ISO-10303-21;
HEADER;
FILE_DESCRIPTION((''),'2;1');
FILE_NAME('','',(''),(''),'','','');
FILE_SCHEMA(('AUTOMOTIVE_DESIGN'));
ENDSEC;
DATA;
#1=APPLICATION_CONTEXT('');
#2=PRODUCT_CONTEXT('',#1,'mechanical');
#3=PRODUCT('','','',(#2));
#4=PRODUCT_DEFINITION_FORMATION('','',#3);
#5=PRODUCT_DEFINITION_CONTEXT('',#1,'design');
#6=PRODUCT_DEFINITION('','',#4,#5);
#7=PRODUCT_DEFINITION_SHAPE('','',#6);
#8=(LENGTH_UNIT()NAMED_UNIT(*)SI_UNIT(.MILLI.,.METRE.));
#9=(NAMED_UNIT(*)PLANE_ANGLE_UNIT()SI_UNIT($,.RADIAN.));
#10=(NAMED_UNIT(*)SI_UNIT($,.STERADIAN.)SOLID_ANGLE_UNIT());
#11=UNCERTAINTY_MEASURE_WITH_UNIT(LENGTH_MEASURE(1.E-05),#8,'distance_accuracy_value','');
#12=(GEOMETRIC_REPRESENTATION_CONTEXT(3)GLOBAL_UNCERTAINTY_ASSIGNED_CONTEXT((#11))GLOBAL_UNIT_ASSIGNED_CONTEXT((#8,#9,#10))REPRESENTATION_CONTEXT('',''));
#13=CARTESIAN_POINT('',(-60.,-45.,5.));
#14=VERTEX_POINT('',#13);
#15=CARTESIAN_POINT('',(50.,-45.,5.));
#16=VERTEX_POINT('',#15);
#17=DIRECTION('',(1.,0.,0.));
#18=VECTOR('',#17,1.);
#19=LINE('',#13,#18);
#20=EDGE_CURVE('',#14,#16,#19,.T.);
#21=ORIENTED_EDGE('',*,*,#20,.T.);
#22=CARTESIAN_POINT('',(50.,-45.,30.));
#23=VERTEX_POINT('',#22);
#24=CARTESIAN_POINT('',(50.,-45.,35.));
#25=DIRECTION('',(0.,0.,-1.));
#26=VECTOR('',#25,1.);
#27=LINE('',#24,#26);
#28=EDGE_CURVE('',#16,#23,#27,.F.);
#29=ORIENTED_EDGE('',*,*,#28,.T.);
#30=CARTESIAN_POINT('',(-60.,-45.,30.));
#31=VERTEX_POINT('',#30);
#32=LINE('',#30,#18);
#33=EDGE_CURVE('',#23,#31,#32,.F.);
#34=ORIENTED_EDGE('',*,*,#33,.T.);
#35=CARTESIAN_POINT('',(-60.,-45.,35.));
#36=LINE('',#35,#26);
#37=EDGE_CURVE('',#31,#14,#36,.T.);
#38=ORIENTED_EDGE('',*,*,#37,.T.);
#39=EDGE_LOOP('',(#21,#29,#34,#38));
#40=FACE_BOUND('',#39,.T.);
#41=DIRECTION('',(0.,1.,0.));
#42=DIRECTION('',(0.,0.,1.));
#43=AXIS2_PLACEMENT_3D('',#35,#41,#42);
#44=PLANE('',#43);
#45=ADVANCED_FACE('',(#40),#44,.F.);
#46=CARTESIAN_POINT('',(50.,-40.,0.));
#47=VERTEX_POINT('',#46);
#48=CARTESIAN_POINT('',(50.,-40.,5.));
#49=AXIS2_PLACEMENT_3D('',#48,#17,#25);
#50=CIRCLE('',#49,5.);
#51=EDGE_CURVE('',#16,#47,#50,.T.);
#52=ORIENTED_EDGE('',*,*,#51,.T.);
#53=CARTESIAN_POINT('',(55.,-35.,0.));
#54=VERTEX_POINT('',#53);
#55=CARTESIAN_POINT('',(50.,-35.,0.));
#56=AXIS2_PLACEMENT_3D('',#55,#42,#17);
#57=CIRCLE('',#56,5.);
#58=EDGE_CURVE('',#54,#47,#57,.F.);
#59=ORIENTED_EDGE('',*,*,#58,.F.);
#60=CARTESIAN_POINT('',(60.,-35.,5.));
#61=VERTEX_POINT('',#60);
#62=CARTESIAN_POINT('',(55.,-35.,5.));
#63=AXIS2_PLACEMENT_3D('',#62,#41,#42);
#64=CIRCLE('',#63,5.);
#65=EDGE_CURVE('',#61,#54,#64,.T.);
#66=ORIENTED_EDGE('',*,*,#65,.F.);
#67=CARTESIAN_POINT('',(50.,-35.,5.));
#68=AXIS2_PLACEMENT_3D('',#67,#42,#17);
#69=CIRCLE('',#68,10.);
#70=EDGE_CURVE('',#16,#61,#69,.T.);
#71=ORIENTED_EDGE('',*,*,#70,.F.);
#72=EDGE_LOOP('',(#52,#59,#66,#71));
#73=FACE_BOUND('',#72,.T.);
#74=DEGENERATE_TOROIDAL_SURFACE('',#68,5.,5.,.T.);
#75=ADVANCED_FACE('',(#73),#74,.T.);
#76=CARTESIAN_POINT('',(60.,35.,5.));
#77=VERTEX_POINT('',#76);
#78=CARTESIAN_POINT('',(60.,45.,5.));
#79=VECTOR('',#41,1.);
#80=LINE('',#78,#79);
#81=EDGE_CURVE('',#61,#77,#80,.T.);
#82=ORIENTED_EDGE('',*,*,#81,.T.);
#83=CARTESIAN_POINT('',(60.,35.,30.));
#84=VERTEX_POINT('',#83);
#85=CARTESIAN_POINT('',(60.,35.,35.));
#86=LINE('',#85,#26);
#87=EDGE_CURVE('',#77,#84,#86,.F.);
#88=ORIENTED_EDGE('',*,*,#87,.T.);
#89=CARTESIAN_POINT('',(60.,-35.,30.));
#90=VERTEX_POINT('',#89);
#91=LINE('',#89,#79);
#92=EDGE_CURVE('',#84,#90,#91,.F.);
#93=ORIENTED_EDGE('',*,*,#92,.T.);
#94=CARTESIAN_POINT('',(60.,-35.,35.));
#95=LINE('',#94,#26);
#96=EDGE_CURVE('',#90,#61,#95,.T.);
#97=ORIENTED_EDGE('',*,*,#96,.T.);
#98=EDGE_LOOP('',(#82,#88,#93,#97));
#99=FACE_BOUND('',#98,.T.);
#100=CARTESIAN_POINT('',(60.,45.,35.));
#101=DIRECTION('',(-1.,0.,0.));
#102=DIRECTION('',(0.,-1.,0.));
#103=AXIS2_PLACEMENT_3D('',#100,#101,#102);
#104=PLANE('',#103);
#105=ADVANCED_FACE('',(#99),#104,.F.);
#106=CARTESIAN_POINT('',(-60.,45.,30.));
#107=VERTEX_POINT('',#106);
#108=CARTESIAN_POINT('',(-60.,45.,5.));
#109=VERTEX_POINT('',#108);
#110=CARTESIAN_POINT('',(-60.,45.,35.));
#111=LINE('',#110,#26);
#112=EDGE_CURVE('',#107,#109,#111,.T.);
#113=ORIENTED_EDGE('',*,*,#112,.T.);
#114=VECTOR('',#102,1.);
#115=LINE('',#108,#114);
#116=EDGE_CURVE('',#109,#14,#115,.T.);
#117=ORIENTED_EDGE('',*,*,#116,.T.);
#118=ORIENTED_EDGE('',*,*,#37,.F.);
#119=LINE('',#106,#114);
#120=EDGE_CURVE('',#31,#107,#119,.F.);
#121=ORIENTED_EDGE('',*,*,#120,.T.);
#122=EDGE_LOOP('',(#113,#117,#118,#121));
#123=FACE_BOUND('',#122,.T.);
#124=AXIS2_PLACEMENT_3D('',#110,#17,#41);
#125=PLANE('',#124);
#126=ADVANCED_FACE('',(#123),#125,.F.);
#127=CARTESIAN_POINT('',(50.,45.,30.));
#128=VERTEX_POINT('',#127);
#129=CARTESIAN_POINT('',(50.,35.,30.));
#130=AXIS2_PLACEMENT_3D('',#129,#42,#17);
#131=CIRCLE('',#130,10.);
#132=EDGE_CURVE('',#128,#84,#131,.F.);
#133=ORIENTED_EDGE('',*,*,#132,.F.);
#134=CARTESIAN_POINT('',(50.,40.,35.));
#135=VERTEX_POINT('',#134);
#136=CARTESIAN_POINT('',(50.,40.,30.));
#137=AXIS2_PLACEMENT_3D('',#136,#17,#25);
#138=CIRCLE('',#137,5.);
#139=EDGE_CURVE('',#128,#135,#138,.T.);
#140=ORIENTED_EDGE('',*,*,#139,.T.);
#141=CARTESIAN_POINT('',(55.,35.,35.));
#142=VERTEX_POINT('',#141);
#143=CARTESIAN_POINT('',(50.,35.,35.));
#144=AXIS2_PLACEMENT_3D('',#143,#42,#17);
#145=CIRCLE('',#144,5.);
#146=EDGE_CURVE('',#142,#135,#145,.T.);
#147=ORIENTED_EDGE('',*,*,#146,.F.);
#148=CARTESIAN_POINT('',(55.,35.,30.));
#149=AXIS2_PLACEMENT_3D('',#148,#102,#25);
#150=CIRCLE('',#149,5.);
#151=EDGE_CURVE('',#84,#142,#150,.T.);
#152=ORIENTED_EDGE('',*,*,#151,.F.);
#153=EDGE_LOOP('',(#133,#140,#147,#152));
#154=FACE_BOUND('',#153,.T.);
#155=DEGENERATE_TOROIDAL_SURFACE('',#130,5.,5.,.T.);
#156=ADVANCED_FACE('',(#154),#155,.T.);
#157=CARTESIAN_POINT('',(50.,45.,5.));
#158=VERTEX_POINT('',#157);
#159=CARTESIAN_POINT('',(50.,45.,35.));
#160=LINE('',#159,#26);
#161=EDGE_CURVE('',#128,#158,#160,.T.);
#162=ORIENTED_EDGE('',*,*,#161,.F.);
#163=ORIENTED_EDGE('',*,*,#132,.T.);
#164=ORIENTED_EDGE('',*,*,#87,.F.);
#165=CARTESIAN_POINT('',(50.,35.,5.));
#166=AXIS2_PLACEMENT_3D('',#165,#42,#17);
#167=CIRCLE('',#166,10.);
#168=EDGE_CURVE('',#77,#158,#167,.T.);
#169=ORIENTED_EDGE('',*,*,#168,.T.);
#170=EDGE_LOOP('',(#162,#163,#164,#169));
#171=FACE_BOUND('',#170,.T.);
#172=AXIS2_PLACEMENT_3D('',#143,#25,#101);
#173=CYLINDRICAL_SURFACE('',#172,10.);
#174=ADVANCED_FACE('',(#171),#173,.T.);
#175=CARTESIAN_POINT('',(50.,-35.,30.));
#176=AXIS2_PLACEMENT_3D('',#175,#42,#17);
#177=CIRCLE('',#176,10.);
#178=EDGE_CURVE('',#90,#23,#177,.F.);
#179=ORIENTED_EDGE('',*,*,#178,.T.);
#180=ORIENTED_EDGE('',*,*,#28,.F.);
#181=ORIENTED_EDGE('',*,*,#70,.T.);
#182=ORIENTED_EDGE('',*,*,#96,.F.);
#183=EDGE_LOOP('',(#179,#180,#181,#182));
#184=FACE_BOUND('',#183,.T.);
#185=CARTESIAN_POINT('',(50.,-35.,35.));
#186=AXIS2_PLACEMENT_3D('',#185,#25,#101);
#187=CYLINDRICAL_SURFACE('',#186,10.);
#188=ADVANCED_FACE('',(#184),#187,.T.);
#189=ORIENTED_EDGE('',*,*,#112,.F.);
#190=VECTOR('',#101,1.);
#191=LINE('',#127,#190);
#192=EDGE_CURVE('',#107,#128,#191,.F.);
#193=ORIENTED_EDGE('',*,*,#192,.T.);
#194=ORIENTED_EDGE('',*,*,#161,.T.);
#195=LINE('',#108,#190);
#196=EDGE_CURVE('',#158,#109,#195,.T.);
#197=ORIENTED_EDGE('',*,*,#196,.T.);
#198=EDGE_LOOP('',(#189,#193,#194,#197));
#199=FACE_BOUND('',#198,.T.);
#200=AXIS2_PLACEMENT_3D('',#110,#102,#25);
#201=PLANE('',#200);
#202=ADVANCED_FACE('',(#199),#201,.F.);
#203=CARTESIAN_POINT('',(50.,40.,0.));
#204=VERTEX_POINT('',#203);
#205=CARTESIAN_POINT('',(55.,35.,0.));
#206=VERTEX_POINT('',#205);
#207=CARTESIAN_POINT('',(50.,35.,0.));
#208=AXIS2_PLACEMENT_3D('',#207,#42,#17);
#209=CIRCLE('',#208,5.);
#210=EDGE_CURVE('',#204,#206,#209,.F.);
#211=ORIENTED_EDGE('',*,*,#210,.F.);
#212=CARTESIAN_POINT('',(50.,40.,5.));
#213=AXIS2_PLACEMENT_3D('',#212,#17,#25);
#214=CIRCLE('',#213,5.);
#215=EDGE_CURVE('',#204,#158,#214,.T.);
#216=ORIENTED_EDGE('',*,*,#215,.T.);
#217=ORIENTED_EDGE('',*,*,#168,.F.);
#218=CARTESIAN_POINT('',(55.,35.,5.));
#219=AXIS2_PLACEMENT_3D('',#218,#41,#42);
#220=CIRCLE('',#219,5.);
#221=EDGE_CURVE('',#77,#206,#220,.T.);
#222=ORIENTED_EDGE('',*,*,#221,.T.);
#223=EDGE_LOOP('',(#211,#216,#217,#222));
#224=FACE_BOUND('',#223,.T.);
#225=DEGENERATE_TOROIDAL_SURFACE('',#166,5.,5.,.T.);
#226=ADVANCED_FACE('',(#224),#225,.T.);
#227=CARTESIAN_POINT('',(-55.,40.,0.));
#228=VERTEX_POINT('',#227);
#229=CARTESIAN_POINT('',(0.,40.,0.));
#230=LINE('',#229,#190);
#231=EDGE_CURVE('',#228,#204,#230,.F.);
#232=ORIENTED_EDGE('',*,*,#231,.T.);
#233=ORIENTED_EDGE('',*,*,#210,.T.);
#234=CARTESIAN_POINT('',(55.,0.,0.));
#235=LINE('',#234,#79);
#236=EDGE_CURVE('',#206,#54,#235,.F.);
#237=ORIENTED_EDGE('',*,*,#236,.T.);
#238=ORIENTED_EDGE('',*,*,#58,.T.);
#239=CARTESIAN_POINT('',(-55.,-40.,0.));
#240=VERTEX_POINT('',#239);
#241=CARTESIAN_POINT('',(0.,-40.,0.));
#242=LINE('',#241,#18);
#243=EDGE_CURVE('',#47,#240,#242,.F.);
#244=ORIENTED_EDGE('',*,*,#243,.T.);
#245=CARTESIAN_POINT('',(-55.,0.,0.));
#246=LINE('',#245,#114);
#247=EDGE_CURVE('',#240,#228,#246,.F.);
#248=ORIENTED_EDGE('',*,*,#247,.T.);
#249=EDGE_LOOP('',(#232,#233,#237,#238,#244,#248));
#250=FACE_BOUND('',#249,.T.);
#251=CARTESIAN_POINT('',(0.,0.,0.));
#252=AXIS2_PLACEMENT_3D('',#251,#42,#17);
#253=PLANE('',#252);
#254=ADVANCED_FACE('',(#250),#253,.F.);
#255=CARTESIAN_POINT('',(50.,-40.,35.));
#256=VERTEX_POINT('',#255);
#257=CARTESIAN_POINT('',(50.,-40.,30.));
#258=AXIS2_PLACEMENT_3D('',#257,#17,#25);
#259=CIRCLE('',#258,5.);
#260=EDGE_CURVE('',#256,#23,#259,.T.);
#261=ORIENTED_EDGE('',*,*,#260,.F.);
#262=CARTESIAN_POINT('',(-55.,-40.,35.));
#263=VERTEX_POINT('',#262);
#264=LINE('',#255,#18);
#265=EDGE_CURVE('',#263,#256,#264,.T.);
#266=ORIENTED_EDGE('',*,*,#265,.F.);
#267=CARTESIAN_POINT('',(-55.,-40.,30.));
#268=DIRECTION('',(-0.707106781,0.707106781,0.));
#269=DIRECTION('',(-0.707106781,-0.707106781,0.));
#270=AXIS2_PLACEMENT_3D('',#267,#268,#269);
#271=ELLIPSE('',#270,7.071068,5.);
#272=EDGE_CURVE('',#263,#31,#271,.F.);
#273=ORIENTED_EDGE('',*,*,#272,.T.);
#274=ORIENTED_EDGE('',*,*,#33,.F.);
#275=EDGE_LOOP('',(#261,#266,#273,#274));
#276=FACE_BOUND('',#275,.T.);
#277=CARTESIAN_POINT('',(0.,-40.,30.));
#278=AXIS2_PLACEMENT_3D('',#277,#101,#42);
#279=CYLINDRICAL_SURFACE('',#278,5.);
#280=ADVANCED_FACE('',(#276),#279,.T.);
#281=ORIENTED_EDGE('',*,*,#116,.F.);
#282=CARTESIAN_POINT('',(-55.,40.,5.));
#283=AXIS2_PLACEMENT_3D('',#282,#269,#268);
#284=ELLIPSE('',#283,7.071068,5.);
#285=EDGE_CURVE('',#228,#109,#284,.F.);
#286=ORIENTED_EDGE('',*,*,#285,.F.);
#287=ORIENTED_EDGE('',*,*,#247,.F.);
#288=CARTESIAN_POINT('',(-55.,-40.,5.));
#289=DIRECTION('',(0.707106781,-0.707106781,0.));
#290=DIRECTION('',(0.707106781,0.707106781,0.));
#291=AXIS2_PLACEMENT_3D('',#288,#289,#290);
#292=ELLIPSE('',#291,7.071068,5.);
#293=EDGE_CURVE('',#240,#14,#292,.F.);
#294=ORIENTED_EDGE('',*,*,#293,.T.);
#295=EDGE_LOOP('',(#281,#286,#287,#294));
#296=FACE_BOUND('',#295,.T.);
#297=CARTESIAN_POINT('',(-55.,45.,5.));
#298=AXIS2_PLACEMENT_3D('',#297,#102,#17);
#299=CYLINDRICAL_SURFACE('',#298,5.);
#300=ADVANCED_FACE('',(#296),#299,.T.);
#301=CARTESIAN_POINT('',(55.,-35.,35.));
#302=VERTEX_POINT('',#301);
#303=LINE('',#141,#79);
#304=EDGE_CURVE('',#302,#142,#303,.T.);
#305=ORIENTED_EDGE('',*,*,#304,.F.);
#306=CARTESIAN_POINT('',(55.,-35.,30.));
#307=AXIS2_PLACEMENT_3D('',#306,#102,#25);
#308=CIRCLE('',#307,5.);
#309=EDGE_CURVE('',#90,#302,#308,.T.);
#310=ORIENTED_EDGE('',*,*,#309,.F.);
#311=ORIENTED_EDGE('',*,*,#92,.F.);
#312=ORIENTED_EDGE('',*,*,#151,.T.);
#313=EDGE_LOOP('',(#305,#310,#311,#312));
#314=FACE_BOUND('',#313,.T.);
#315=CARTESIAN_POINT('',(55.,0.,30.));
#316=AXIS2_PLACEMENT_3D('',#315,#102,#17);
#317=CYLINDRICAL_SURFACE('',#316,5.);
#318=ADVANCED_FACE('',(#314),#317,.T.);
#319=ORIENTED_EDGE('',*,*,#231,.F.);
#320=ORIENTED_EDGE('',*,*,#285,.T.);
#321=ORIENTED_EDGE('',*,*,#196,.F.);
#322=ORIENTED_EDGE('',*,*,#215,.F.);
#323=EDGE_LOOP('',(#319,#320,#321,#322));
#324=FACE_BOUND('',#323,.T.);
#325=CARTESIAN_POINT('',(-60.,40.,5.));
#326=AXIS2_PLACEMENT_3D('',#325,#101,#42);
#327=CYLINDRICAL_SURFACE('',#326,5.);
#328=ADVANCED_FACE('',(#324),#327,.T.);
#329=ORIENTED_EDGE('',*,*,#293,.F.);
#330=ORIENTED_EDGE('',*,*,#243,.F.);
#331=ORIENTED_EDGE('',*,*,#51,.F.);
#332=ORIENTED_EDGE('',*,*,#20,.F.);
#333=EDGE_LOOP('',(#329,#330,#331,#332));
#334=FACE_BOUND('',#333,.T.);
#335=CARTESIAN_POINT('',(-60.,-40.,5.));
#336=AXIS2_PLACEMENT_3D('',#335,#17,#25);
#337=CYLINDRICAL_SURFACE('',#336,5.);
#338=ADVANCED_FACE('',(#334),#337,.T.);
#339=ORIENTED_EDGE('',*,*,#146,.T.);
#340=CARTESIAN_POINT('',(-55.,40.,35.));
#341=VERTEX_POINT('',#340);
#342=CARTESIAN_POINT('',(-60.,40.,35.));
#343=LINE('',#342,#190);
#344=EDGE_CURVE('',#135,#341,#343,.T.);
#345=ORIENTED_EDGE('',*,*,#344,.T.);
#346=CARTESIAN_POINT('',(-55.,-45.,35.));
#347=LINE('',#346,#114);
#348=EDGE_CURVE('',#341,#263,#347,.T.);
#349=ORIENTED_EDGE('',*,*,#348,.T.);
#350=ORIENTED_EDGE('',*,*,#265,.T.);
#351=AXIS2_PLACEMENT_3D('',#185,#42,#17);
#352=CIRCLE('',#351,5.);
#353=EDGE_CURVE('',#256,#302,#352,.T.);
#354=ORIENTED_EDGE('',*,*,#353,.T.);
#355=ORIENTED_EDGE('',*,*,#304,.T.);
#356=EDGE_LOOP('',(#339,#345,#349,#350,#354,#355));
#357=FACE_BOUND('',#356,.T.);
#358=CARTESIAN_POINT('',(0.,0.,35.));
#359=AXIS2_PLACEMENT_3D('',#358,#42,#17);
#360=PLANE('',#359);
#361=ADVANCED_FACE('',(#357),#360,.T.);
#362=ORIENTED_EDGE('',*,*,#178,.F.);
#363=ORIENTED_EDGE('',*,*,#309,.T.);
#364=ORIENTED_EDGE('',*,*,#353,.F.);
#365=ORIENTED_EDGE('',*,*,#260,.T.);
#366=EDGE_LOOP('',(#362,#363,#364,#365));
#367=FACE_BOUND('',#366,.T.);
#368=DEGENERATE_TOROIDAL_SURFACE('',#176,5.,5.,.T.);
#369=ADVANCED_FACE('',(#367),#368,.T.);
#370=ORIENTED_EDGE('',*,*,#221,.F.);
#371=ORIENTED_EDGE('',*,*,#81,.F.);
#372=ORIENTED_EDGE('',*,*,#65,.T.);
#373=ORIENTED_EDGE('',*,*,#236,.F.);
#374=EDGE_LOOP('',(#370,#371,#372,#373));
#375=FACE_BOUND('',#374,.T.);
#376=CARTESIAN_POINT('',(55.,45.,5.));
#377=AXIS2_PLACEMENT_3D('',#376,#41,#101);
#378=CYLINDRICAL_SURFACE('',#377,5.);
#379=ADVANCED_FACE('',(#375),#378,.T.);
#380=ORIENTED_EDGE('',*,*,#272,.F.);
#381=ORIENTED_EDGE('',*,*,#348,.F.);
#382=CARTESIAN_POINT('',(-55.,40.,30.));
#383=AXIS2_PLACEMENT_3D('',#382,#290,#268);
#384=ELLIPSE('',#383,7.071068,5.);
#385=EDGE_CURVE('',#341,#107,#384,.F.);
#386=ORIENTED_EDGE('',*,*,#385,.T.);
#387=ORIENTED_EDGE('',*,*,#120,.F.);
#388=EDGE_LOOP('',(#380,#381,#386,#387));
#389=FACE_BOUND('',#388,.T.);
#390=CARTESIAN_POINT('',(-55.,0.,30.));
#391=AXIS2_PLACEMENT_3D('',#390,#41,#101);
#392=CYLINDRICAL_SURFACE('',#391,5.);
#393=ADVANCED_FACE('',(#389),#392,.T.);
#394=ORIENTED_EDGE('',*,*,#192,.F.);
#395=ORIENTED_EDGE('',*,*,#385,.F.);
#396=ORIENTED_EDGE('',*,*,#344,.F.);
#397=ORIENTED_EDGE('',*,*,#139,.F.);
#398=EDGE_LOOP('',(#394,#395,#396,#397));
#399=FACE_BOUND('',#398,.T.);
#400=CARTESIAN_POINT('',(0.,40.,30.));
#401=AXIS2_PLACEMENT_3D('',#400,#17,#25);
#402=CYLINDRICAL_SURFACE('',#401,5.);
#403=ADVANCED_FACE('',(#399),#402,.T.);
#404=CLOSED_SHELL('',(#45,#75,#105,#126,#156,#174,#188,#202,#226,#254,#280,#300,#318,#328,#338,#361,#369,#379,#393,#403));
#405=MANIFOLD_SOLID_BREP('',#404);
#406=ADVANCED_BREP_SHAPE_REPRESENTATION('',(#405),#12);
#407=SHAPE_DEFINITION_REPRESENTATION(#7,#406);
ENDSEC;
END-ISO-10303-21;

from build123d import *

# Parameters (mm, degrees)
SKETCH1_W           = 120
SKETCH1_H           = 90
BOSS_EXTRUDE1_DEPTH = 35
FILLET1_R           = 10
FILLET2_R           = 5


with BuildPart() as part:
    # Sketch1 → Boss-Extrude1 (new body)
    with BuildSketch(Plane.XY):
        Rectangle(SKETCH1_W, SKETCH1_H)
    extrude(amount=BOSS_EXTRUDE1_DEPTH)

    # Fillet1
    fillet1_edges = [part.edges().sort_by_distance(p)[0] for p in [
        (60, -45, 17.5),
        (60, 45, 17.5),
    ]]
    fillet(fillet1_edges, radius=FILLET1_R)

    # Fillet2
    fillet2_edges = [part.edges().sort_by_distance(p)[0] for p in [
        (-60, 0, 35),
        (-5, -45, 35),
        (60, 0, 0),
        (60, 0, 35),
        (-5, 45, 0),
        (57.071067812, 42.071067812, 0),
        (57.071067812, -42.071067812, 0),
        (-5, 45, 35),
        (57.071067812, 42.071067812, 35),
        (57.071067812, -42.071067812, 35),
        (-5, -45, 0),
        (-60, 0, 0),
    ]]
    fillet(fillet2_edges, radius=FILLET2_R)


solid = part.part
